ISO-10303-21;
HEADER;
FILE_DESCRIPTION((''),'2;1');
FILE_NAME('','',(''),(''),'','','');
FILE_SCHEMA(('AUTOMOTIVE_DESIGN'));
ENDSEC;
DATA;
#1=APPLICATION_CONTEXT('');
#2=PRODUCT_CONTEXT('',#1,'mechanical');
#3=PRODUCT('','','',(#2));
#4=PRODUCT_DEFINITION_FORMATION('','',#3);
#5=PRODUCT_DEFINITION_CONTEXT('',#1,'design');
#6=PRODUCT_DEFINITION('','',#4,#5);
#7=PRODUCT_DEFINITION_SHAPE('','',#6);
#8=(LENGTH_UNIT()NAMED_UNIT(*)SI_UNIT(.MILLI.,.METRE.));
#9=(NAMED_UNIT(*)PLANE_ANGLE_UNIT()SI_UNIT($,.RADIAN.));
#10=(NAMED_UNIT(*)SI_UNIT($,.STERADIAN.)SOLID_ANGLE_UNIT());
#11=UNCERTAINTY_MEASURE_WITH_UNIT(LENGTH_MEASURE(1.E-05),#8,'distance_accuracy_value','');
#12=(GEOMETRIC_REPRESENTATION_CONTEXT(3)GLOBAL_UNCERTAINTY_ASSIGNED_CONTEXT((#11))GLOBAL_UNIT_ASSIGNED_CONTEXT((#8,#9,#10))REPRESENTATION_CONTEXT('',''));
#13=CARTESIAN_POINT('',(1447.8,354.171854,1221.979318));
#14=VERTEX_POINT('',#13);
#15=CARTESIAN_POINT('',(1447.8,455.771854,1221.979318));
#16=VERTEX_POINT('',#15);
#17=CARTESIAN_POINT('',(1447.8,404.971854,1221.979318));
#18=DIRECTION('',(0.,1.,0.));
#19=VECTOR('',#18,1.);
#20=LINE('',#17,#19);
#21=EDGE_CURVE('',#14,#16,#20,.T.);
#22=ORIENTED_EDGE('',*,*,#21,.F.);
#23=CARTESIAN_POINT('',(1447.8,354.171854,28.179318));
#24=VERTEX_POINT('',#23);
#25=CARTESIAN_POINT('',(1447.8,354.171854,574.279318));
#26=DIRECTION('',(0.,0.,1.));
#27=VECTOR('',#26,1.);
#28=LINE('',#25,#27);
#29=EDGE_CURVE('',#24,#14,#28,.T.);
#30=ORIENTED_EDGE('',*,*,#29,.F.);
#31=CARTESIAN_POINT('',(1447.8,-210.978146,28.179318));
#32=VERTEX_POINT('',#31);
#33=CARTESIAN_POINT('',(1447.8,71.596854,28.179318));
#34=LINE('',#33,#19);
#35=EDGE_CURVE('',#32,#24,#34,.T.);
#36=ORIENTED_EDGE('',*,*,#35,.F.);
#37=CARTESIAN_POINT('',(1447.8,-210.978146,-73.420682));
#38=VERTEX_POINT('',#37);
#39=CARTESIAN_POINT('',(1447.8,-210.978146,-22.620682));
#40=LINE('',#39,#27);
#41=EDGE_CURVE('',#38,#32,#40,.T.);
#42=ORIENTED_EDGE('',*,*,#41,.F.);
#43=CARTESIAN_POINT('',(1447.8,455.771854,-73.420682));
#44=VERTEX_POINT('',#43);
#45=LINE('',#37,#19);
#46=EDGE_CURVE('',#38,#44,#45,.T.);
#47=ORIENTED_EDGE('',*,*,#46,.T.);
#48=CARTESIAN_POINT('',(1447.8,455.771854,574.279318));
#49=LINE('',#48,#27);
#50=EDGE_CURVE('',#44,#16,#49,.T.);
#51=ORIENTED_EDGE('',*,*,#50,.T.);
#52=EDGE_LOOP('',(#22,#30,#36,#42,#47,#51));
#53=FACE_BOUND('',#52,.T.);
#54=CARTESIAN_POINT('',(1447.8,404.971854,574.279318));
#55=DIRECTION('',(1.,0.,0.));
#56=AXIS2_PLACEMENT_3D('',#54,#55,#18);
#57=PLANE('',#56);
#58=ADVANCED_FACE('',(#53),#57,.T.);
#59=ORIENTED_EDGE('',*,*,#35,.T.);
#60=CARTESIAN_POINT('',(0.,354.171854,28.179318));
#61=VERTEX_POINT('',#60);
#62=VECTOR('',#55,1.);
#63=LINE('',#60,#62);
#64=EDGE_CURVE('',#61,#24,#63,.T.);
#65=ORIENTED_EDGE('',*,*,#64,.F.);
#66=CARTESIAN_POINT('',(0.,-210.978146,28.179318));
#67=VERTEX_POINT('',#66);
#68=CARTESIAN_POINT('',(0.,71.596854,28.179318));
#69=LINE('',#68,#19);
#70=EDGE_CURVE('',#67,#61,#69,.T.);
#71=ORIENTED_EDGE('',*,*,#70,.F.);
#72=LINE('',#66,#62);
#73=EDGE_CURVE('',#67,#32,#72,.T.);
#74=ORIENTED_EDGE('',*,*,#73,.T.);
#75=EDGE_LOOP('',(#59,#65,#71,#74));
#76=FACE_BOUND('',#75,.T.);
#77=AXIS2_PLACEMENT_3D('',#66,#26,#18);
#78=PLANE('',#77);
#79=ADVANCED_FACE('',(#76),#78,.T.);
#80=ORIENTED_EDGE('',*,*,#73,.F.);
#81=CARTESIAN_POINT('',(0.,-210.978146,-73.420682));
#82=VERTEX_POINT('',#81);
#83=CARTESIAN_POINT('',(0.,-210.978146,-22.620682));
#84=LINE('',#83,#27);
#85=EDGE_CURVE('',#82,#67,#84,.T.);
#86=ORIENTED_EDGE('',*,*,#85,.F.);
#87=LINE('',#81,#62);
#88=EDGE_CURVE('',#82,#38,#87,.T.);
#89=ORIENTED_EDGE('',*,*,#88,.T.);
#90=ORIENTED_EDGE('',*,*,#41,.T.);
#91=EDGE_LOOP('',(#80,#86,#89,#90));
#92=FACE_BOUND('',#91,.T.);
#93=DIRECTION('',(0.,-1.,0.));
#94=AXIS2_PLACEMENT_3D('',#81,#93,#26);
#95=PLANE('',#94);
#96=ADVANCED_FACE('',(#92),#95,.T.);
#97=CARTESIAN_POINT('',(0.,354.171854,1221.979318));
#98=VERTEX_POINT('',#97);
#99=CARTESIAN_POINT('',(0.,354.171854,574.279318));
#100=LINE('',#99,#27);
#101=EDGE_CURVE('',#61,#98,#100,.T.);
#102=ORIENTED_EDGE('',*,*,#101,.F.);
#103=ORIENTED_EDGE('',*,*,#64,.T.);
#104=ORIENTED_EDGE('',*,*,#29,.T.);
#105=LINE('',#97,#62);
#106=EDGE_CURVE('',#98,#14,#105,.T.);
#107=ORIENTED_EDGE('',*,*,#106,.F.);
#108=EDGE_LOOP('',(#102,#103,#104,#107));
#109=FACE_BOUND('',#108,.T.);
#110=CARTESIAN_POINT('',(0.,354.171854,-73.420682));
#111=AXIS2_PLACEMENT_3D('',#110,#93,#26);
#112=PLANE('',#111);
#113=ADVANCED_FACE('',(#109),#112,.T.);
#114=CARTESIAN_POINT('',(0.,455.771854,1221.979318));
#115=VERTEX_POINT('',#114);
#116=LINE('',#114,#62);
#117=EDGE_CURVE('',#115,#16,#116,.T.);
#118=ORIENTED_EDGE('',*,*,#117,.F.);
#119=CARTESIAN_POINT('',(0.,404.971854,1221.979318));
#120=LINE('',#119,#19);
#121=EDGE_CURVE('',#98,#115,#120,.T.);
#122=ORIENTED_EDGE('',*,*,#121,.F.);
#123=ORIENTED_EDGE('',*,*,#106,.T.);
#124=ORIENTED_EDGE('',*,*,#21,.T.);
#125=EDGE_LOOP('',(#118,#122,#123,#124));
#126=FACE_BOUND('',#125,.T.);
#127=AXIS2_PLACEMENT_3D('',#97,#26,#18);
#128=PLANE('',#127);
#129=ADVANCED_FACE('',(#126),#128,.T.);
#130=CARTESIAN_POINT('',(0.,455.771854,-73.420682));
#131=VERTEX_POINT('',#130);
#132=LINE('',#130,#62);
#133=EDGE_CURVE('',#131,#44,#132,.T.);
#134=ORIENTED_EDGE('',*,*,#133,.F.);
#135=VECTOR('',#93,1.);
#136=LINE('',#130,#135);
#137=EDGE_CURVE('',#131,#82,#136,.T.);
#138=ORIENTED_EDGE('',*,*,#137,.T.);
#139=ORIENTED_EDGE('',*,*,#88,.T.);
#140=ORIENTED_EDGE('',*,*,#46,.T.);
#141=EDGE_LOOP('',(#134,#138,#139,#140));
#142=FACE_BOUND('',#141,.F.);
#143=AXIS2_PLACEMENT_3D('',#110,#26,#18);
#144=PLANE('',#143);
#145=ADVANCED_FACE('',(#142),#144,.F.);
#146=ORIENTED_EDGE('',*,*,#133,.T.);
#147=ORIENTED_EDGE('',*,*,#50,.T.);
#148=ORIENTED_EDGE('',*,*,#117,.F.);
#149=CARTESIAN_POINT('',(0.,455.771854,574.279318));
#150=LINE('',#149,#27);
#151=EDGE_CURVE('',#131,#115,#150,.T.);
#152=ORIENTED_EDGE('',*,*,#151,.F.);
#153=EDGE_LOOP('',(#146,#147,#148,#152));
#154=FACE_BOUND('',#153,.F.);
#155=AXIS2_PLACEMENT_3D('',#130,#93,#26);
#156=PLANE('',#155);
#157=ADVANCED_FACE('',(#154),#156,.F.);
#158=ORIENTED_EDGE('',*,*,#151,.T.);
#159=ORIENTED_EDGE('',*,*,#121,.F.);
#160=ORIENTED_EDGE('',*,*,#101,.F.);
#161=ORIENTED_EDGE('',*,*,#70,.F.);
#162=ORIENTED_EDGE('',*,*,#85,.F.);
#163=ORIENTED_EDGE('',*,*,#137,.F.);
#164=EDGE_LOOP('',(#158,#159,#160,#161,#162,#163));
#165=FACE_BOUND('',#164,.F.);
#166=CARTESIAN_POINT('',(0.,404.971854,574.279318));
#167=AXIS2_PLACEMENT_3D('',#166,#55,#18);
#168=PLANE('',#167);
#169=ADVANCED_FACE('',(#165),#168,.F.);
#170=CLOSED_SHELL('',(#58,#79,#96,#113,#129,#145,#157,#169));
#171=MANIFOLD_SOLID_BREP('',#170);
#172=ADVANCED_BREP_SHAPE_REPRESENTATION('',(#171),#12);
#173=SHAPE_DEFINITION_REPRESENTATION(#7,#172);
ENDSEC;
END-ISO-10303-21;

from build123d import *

# Parameters (mm, degrees)
F0_W     = 565.15
F0_H     = 101.6
F1_DEPTH = 1447.8
F2_W     = 101.6
F2_H     = 1295.4
F3_DEPTH = 1447.8


with BuildPart() as f1:
    # F0 (on Right) → F1 (new body)
    with BuildSketch(Plane.YZ):
        with Locations((71.596854, -22.620682)):
            Rectangle(F0_W, F0_H)
    extrude(amount=F1_DEPTH)

    # F2 (on Right) → F3 (join)
    with BuildSketch(Plane.YZ):
        with Locations((404.971854, 574.279318)):
            Rectangle(F2_W, F2_H)
    extrude(amount=F3_DEPTH)


solid = f1.part
